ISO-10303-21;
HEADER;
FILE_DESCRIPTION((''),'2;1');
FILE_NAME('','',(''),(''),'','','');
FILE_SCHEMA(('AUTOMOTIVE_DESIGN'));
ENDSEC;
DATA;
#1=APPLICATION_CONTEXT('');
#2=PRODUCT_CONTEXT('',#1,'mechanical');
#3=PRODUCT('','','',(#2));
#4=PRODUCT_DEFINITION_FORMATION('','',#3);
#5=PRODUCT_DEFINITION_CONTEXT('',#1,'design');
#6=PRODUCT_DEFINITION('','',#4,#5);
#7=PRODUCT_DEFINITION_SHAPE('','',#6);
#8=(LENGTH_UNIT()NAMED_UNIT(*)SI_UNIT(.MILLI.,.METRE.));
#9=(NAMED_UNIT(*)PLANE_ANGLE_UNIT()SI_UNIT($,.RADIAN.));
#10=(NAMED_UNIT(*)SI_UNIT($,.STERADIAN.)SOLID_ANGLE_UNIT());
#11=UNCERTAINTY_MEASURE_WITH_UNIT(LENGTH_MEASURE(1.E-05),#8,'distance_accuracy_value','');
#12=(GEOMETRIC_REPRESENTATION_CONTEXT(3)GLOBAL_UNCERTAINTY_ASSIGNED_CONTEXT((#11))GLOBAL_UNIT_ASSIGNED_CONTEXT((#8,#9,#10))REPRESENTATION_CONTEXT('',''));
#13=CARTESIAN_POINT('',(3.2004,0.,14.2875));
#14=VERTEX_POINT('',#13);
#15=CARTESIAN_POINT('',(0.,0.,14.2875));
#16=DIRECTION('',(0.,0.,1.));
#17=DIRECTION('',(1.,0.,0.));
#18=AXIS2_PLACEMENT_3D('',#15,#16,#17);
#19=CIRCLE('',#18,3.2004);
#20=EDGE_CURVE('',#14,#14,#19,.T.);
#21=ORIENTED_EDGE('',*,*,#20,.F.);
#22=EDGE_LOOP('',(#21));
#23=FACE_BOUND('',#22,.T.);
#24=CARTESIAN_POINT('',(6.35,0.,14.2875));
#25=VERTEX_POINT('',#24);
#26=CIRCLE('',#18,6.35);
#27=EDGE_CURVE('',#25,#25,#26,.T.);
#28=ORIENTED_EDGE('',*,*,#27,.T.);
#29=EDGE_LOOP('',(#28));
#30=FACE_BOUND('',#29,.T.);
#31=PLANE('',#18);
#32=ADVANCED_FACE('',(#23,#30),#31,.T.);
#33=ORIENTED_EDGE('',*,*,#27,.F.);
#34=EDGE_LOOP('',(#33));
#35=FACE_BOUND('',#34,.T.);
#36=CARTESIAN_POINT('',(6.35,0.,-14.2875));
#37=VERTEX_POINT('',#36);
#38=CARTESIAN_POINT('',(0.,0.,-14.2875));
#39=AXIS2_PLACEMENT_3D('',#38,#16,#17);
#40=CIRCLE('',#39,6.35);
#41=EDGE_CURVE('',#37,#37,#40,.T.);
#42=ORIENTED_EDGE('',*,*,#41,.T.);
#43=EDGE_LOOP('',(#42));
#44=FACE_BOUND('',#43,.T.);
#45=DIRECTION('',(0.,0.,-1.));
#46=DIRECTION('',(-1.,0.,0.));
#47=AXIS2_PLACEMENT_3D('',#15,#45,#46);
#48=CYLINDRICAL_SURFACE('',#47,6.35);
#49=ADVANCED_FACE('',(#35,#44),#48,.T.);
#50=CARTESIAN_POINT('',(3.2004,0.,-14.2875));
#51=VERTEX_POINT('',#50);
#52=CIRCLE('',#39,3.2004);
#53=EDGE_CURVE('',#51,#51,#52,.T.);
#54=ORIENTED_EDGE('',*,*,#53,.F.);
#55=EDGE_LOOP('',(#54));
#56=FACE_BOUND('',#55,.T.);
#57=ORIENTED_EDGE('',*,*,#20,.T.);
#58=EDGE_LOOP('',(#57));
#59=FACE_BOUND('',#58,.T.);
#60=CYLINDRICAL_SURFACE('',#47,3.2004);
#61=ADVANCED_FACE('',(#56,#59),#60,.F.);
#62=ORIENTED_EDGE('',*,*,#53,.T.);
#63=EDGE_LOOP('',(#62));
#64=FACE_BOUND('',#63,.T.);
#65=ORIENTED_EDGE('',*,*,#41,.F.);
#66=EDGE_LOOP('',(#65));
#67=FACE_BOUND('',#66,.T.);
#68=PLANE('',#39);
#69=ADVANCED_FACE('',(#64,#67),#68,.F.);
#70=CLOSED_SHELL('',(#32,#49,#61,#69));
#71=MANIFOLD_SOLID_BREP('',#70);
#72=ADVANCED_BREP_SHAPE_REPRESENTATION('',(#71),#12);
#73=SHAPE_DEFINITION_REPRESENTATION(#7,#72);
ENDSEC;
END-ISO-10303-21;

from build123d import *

# Parameters (mm, degrees)
SKETCH1_R      = 6.35
SKETCH1_R_2    = 3.2004
EXTRUDE1_DEPTH = 14.2875


with BuildPart() as part:
    # Sketch1 → Extrude1 (new body, symmetric)
    with BuildSketch(Plane.XY):
        Circle(SKETCH1_R)
        Circle(SKETCH1_R_2, mode=Mode.SUBTRACT)
    extrude(amount=EXTRUDE1_DEPTH, both=True)


solid = part.part
